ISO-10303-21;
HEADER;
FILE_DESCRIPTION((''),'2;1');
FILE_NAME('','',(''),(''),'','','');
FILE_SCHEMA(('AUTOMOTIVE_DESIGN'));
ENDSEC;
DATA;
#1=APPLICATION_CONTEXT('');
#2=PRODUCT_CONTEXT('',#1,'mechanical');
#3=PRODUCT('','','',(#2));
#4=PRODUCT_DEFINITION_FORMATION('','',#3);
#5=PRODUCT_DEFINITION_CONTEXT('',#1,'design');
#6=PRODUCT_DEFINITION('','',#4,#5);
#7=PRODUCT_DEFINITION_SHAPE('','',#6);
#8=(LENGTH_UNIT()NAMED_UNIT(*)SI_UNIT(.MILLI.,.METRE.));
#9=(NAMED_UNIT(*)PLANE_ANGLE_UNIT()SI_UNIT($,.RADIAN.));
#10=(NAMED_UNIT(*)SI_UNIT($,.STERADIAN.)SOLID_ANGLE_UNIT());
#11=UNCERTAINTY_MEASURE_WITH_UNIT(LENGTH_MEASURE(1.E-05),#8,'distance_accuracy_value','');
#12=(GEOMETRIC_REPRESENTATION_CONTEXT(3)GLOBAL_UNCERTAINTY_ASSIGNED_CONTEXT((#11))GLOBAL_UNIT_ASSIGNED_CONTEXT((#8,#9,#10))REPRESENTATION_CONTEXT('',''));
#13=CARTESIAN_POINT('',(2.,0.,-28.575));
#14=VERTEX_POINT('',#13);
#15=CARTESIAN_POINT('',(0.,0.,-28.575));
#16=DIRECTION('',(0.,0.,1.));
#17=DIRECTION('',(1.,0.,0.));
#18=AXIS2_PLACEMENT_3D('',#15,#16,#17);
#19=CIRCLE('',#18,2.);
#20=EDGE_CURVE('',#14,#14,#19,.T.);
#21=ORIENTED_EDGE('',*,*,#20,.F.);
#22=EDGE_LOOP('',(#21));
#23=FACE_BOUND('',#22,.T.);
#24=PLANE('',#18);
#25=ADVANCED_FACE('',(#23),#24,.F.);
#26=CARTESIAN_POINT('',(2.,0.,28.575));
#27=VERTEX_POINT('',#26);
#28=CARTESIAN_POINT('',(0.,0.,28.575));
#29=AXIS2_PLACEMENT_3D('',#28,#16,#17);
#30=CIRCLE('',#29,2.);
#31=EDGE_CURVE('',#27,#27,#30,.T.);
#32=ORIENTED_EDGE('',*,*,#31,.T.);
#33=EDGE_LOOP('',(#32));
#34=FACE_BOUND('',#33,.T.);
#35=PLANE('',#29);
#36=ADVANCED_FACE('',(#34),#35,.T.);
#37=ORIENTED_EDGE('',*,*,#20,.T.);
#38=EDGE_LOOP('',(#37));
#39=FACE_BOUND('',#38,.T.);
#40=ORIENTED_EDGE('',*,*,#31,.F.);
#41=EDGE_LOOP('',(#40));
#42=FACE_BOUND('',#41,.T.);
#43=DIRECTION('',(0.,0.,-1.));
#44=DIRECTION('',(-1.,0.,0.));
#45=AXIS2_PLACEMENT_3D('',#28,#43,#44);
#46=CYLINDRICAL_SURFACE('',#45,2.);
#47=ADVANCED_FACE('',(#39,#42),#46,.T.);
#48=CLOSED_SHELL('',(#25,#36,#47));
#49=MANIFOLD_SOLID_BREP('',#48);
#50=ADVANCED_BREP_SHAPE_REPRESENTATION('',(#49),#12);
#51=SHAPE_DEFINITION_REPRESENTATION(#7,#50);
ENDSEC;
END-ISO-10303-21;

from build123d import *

# Parameters (mm, degrees)
ESQUISSE2_R        = 2
BOSS_EXTRU_1_DEPTH = 28.575


with BuildPart() as part:
    # Esquisse2 → Boss.-Extru.1 (new, symmetric)
    with BuildSketch(Plane.XY):
        Circle(ESQUISSE2_R)
    extrude(amount=BOSS_EXTRU_1_DEPTH, both=True)


solid = part.part
